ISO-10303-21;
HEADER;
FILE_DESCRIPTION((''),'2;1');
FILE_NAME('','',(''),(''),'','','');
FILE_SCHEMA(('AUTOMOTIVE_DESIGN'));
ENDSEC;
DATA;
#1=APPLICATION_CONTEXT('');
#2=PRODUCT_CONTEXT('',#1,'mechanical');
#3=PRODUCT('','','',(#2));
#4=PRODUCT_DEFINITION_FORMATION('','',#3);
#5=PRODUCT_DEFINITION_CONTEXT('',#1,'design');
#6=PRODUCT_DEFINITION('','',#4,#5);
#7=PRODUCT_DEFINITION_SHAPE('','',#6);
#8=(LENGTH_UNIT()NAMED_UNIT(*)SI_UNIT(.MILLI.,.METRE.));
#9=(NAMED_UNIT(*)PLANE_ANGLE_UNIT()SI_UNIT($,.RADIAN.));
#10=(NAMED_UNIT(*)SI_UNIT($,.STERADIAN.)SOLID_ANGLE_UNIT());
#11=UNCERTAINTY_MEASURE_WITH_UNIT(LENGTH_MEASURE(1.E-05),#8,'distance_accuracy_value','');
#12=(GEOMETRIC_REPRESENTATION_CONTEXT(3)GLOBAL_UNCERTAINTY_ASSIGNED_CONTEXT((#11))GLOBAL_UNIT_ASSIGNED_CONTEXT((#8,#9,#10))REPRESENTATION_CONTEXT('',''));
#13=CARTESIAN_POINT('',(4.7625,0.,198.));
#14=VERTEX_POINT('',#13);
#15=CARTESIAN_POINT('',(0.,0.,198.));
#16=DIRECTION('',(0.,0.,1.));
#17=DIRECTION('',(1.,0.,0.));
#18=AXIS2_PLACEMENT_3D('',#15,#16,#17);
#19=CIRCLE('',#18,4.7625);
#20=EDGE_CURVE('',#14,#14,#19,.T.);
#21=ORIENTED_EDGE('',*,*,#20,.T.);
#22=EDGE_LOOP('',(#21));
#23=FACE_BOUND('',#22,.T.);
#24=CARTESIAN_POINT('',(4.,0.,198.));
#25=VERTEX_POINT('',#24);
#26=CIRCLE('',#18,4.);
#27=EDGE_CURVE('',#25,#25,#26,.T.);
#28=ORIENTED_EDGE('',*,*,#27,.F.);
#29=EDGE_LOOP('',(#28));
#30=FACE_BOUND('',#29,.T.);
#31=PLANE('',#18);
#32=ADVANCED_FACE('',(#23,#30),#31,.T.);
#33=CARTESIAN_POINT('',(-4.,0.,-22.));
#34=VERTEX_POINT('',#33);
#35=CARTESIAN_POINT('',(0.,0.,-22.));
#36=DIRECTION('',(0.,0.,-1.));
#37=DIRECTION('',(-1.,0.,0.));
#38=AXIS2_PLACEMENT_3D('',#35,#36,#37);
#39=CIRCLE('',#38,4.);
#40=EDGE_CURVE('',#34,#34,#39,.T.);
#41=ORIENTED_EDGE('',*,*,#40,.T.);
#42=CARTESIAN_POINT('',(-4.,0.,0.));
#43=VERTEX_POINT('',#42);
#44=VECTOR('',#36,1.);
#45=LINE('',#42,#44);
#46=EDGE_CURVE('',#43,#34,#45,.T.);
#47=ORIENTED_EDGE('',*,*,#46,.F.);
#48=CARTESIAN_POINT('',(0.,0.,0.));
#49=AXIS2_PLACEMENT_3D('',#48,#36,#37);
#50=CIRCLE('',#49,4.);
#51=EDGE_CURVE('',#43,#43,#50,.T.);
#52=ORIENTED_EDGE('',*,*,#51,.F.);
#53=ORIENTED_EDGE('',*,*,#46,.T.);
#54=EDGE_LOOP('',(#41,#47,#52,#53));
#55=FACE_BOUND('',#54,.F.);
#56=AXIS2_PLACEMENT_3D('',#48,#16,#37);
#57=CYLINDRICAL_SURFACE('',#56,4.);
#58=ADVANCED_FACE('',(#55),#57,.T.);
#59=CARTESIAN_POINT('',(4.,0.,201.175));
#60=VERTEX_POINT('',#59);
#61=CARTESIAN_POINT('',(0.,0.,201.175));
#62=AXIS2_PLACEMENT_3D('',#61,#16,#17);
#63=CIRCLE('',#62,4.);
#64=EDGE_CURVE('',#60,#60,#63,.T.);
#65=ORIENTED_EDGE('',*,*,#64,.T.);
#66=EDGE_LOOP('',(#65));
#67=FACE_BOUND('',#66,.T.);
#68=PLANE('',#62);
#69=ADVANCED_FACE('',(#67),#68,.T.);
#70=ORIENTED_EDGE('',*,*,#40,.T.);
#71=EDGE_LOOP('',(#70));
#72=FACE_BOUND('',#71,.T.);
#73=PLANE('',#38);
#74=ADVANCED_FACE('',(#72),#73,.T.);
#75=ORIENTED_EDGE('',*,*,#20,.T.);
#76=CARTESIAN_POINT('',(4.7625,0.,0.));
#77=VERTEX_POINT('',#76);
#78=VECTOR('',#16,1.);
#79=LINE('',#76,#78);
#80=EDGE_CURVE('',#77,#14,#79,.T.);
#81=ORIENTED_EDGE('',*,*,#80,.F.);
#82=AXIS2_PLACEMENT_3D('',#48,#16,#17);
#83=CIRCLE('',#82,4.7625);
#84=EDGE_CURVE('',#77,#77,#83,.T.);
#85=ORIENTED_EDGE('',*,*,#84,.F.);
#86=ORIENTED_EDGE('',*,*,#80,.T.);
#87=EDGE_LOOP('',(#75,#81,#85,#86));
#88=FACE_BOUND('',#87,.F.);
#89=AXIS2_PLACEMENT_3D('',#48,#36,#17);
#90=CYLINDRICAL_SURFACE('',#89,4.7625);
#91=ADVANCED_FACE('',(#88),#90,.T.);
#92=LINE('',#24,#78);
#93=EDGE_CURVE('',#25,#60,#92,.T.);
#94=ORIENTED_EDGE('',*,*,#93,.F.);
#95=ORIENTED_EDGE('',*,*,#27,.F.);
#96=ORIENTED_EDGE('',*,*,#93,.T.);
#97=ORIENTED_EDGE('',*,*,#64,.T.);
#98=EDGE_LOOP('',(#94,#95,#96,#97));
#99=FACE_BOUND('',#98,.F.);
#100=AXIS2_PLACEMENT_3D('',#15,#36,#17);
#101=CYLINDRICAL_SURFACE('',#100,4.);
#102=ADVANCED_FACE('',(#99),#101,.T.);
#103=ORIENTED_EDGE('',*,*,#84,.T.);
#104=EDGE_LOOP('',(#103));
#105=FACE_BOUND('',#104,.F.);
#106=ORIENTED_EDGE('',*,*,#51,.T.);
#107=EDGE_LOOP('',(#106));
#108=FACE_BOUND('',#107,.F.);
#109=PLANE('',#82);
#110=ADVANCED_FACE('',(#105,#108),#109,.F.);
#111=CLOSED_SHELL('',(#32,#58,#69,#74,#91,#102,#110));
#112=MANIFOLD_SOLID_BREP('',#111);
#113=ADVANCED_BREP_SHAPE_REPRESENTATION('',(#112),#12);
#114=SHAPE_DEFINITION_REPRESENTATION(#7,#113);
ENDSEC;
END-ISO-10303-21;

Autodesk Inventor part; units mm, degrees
ref_plane "YZ Plane" through (0, 0, 0) normal (1, 0, 0) x (0, 1, 0)
ref_plane "XZ Plane" through (0, 0, 0) normal (0, 1, 0) x (-1, 0, 0)
ref_plane "XY Plane" through (0, 0, 0) normal (0, 0, 1) x (1, 0, 0)
sketch "Sketch1" plane through (0, 0, 0) normal (0, 0, 1) x (1, 0, 0)
  circle A0 centre (0, 0) radius 4.7625
  dimension "d0" = 9.525
extrude "Extrusion1" add sketch "Sketch1" along normal blind 198
sketch "Sketch2" plane through (0, 0, 198) normal (0, 0, 1) x (1, 0, 0)
  circle A0 centre (0, 0) radius 4.7625 projected
  circle A1 centre (0, 0) radius 4
  dimension "d4" = 8
extrude "Extrusion2" add sketch "Sketch2" along normal blind 3.175 contours A1
sketch "Sketch3" plane through (0, 0, 0) normal (0, 0, -1) x (-1, 0, 0)
  circle A0 centre (0, 0) radius 4.7625 projected
  circle A1 centre (0, 0) radius 4
  dimension "d7" = 8
extrude "Extrusion3" add sketch "Sketch3" along normal blind 22 contours A1
thread "Thread1" size "3/8-16 UNC" class "2A" standard "ANSI Unified Screw Threads" full length
properties part number "S2_zrod"
